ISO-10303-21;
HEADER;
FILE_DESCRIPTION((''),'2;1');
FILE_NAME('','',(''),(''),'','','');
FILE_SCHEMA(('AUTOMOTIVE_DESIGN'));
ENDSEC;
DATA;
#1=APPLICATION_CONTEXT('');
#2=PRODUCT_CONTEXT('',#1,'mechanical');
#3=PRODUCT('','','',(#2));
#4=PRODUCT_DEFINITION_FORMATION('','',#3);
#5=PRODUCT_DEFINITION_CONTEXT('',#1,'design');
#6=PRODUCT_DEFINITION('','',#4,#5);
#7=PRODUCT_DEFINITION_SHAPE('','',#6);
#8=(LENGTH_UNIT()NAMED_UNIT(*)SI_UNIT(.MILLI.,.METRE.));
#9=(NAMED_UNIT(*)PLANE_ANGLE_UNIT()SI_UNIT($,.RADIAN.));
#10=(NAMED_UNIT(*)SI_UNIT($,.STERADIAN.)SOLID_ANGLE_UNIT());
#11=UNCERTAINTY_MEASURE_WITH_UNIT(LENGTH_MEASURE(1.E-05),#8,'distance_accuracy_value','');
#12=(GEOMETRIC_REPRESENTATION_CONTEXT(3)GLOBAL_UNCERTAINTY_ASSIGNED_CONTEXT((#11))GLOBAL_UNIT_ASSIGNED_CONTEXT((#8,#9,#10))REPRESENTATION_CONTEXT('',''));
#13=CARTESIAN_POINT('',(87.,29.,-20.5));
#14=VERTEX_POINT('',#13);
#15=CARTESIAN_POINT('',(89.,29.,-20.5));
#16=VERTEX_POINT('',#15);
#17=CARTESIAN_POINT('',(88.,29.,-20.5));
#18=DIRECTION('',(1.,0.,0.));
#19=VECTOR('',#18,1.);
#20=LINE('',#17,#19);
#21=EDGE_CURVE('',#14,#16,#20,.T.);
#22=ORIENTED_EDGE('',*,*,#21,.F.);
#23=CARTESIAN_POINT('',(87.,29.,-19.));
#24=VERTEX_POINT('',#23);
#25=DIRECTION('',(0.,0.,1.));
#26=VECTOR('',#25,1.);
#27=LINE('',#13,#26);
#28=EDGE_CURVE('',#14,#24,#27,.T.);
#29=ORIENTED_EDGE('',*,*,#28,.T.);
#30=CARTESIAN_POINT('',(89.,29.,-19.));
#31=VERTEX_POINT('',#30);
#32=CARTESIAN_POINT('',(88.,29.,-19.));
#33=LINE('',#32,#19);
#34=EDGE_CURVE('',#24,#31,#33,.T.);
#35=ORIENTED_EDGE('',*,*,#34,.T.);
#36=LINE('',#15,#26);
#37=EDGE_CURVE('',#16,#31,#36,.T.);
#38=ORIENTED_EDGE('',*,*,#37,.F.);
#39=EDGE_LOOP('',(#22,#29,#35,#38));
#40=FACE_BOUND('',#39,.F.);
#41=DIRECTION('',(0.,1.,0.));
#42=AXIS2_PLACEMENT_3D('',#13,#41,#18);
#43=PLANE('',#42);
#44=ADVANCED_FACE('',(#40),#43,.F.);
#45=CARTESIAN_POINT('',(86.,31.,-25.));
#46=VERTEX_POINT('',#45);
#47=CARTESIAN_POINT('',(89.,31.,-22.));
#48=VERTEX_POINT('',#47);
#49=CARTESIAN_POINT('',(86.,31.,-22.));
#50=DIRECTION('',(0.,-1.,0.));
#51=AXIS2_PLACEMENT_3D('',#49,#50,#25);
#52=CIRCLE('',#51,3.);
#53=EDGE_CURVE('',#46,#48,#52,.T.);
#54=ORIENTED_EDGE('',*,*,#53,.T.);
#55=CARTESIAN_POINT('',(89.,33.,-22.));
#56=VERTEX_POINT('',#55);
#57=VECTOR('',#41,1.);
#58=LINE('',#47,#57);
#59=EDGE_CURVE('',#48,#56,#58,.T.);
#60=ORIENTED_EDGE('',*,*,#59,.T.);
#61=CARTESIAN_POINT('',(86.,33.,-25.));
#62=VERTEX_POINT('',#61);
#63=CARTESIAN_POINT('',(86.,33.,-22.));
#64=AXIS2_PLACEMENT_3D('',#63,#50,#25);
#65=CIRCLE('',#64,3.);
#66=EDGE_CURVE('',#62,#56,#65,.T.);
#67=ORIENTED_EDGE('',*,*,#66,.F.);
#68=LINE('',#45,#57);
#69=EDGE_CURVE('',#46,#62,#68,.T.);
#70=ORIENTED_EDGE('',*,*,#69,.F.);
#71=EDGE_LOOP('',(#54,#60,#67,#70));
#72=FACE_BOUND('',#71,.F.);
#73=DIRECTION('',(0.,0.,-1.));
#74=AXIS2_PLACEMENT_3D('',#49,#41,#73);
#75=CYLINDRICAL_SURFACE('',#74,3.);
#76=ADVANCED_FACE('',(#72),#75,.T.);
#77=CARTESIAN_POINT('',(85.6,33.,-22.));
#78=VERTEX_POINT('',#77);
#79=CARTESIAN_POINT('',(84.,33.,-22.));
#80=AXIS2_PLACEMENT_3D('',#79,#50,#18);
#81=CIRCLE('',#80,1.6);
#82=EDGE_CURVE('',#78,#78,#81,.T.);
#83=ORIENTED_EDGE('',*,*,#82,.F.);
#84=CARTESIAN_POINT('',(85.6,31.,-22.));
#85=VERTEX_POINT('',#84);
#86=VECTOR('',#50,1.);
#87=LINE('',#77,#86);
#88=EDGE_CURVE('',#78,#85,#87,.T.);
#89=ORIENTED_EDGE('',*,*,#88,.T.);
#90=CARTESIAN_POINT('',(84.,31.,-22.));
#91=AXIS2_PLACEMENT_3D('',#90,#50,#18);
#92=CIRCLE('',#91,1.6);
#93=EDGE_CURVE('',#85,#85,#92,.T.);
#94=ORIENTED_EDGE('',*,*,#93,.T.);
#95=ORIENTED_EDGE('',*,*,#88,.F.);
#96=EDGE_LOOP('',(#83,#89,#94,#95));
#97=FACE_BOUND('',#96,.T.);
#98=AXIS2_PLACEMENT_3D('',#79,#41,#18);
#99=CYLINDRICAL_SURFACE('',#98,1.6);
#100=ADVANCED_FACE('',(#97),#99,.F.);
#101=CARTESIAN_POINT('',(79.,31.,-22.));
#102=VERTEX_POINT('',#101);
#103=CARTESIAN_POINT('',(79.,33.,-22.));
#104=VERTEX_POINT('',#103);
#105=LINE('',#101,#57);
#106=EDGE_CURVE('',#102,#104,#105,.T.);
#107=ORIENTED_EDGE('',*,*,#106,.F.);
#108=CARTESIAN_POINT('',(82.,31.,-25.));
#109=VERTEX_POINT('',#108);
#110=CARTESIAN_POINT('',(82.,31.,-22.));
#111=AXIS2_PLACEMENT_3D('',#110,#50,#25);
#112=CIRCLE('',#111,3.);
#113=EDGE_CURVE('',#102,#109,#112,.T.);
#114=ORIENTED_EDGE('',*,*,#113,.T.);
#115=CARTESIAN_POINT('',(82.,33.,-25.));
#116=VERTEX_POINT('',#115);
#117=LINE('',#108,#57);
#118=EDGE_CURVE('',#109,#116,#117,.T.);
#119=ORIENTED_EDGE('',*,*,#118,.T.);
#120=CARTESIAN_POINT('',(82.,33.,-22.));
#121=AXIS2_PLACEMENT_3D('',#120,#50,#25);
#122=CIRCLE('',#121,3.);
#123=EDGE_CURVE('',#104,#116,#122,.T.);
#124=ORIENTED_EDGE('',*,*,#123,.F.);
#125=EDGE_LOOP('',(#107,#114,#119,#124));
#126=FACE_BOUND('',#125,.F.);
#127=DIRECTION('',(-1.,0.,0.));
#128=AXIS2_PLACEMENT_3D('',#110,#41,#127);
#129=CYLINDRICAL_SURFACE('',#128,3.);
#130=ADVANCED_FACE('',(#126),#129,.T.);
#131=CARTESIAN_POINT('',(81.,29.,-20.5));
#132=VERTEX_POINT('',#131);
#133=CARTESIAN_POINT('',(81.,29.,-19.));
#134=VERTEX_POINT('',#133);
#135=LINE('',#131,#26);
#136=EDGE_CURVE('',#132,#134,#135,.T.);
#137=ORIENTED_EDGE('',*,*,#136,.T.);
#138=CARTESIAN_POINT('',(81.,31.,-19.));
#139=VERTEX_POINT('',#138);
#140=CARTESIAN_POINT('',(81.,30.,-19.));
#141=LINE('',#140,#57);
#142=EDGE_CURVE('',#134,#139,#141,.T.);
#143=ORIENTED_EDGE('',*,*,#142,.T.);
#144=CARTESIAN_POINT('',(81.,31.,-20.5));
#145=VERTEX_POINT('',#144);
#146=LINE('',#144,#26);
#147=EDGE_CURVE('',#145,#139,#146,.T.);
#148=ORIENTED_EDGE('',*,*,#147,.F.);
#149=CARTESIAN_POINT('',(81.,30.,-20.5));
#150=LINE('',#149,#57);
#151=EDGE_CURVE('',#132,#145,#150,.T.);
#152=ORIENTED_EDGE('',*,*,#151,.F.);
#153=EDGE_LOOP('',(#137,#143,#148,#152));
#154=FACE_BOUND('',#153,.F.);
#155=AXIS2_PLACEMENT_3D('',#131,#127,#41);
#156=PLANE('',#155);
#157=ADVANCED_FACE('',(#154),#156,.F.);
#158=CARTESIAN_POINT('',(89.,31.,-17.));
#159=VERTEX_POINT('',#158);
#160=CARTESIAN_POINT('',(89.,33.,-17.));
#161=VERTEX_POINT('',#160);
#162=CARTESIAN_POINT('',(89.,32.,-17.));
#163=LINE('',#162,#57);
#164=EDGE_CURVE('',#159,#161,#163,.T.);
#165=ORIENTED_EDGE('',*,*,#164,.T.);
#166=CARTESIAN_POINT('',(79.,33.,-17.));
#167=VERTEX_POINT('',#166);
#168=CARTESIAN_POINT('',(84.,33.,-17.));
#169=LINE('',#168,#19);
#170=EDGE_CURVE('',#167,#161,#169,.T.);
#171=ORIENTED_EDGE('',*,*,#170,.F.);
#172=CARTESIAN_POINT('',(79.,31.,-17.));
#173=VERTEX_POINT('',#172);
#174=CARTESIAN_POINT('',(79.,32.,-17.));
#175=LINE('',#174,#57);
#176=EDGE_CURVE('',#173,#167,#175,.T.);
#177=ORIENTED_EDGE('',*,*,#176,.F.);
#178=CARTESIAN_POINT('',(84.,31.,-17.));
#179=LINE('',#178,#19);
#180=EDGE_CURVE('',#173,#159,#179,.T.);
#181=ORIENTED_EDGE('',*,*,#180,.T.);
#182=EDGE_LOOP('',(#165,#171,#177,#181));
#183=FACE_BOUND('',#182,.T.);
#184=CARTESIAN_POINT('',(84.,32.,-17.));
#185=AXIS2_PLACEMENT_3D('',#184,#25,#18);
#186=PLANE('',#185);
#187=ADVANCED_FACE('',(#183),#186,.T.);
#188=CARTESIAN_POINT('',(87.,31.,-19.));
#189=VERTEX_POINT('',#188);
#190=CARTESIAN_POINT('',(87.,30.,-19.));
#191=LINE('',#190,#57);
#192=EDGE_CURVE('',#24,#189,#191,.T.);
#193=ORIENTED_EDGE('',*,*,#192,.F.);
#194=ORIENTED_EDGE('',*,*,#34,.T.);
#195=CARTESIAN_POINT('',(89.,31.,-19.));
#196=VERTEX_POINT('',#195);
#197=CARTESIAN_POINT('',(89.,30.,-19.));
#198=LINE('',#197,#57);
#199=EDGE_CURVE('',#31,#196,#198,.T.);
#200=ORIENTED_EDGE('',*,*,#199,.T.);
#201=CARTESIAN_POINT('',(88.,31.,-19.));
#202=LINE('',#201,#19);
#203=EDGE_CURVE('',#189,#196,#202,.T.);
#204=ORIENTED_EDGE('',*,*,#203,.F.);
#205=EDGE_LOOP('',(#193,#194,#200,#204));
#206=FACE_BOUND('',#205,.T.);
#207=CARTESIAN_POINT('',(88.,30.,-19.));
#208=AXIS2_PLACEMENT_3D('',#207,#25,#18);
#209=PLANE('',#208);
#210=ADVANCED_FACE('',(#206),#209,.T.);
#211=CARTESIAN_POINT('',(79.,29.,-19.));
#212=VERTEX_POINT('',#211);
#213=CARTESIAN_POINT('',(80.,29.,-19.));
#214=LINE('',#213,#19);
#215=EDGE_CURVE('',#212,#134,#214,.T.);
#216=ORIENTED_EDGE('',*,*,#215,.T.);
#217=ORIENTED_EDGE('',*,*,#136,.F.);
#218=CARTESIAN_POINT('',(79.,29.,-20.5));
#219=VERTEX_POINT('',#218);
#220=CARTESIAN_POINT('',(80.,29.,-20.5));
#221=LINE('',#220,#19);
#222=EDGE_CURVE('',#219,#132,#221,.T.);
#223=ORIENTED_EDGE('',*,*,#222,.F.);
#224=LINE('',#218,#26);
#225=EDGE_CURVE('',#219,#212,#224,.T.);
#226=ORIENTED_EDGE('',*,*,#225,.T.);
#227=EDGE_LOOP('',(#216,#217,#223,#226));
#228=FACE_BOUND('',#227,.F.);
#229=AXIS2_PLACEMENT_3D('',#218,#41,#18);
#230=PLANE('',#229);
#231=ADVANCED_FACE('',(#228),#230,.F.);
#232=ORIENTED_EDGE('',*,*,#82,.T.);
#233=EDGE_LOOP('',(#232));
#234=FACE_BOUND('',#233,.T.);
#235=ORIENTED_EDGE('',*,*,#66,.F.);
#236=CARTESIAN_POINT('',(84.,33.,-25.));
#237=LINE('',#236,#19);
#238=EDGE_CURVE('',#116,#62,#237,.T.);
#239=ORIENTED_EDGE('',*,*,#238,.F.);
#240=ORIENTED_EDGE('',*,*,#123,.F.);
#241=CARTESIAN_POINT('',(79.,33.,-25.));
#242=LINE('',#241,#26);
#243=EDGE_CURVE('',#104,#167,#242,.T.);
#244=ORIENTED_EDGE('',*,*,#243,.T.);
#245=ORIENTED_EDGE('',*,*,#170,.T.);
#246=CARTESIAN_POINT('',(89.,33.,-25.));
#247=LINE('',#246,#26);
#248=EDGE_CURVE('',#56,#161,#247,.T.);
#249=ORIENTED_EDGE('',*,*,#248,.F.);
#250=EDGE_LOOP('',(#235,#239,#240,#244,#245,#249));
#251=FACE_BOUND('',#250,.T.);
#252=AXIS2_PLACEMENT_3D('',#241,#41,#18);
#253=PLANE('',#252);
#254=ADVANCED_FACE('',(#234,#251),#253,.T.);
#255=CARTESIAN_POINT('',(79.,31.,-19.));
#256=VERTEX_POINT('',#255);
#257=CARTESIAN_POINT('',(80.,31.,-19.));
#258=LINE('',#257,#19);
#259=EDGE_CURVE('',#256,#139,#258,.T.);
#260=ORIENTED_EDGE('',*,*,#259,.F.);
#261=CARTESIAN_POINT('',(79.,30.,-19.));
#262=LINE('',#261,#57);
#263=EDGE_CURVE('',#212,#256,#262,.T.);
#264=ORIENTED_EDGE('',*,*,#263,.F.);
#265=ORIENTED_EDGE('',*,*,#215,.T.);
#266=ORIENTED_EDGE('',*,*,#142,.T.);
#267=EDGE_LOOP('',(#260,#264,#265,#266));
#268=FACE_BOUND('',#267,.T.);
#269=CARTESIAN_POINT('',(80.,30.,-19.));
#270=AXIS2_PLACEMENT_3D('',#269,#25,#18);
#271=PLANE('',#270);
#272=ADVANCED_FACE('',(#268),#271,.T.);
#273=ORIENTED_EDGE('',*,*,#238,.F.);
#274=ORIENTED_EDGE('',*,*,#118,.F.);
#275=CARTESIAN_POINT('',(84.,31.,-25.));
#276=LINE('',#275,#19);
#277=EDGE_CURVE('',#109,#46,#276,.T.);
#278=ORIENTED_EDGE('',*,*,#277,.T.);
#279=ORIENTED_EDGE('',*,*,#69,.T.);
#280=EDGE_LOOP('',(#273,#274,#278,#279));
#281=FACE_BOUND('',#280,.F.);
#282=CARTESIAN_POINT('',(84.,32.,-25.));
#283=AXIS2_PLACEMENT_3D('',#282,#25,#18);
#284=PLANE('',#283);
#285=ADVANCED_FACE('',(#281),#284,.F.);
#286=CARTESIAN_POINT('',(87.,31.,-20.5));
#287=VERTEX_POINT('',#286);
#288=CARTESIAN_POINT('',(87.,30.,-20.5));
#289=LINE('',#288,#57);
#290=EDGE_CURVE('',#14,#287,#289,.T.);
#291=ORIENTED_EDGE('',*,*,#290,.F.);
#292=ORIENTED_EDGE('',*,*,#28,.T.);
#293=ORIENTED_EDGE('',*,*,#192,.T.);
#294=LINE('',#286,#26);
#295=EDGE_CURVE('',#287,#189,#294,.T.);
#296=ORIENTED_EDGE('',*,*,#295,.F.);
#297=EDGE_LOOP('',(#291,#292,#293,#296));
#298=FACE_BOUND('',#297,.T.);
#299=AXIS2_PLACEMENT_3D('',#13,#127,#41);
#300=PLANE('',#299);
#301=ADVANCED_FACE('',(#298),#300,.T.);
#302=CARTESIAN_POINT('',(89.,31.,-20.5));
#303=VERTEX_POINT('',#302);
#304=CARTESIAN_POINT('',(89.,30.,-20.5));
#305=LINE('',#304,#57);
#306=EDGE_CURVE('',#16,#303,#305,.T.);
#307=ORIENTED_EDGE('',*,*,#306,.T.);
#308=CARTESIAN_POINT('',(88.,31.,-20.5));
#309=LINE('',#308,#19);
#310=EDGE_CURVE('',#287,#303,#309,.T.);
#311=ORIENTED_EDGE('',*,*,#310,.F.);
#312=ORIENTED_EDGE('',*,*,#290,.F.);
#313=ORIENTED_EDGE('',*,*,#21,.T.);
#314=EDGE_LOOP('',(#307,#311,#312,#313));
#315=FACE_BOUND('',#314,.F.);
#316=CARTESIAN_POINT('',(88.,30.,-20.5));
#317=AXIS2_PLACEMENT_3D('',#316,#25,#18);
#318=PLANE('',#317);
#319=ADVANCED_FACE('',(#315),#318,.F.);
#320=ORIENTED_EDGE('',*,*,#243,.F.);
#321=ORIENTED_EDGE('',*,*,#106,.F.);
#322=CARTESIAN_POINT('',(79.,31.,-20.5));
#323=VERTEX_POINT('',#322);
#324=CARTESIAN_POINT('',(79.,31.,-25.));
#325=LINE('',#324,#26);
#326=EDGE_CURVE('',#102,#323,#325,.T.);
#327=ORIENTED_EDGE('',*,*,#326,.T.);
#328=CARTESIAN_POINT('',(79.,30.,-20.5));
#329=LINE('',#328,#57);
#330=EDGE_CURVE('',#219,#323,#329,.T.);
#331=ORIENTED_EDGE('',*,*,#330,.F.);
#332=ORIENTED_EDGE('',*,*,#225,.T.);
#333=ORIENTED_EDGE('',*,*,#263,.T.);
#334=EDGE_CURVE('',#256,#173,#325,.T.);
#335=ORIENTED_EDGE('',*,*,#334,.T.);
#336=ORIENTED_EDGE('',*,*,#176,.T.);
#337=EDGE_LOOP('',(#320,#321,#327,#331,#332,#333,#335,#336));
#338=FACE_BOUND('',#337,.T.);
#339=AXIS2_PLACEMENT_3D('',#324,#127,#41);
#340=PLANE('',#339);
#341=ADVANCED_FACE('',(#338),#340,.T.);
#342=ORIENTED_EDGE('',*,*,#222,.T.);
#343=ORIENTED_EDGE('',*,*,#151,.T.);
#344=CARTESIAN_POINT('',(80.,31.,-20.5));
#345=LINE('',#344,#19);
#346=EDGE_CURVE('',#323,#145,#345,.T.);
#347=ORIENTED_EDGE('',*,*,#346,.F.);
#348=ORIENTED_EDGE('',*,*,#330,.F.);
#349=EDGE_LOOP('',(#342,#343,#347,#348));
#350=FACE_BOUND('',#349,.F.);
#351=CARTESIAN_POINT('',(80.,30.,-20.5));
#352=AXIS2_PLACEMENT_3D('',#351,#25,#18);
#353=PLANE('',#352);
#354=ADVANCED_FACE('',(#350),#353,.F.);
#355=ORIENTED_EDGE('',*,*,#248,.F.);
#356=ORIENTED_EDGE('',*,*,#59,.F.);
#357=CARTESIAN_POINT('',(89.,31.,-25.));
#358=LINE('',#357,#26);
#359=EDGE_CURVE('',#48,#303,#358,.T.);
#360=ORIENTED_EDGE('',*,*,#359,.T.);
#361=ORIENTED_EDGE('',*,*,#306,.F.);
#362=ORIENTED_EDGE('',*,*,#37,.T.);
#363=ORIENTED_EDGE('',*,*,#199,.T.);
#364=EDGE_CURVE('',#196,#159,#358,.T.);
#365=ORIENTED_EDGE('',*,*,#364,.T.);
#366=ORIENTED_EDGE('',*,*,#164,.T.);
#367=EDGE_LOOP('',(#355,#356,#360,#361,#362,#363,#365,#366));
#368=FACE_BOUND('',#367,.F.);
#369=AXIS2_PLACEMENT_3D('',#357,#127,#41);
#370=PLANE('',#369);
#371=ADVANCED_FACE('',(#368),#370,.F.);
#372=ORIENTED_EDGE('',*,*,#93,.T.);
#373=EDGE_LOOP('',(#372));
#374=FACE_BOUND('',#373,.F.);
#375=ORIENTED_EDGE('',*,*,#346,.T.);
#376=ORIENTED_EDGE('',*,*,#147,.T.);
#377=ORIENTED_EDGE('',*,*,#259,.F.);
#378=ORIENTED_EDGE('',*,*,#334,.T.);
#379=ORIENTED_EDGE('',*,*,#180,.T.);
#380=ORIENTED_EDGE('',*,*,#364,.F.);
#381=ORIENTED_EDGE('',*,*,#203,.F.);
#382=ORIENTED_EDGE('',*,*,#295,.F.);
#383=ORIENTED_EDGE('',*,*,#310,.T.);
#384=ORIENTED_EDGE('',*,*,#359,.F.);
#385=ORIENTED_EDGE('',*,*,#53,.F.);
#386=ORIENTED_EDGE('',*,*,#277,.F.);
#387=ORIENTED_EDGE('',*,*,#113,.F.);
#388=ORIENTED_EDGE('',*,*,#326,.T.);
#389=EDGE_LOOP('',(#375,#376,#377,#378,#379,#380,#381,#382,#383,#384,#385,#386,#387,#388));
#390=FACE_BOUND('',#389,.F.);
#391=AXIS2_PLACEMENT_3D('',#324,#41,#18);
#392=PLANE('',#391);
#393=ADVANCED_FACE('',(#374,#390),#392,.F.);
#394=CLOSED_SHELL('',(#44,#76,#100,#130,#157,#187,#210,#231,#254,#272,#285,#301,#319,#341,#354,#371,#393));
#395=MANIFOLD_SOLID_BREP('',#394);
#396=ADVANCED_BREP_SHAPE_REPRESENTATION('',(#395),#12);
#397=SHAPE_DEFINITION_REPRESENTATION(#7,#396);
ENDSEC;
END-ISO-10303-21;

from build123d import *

# Parameters (mm, degrees)
BOX176_W          = 2
BOX176_H          = 2
BOX176_DEPTH      = 1.5
BOX175_W          = 2
BOX175_H          = 2
BOX175_DEPTH      = 1.5
CYLINDER069_R     = 1.6
CYLINDER069_DEPTH = 2
BOX174_W          = 10
BOX174_H          = 2
BOX174_DEPTH      = 8
FILLET038_R       = 3


with BuildPart() as cube165:
    # Box176 → Box176 (new body)
    with BuildSketch(Plane(origin=(79, 29, -20.5), x_dir=(1, 0, 0), z_dir=(0, 0, 1))):
        with Locations((1, 1)):
            Rectangle(BOX176_W, BOX176_H)
    extrude(amount=BOX176_DEPTH)


with BuildPart() as cube164:
    # Box175 → Box175 (new body)
    with BuildSketch(Plane(origin=(87, 29, -20.5), x_dir=(1, 0, 0), z_dir=(0, 0, 1))):
        with Locations((1, 1)):
            Rectangle(BOX175_W, BOX175_H)
    extrude(amount=BOX175_DEPTH)


with BuildPart() as cylinder150:
    # Cylinder069 → Cylinder069 (new body)
    with BuildSketch(Plane(origin=(84, 33, -22), x_dir=(1, 0, 0), z_dir=(0, -1, 0))):
        Circle(CYLINDER069_R)
    extrude(amount=CYLINDER069_DEPTH)


with BuildPart() as fusion055:
    # Box174 → Box174 (new body)
    with BuildSketch(Plane(origin=(79, 31, -25), x_dir=(1, 0, 0), z_dir=(0, 0, 1))):
        with Locations((5, 1)):
            Rectangle(BOX174_W, BOX174_H)
    extrude(amount=BOX174_DEPTH)

    # Cut093: cut Cylinder150
    add(cylinder150.part, mode=Mode.SUBTRACT)

    # Fillet038
    fillet038_edges = [fusion055.edges().sort_by_distance(p)[0] for p in [
        (79, 32, -25),
        (89, 32, -25),
    ]]
    fillet(fillet038_edges, radius=FILLET038_R)

    # Fusion055: union Cube165, Cube164
    add(cube165.part)
    add(cube164.part)


solid = fusion055.part
